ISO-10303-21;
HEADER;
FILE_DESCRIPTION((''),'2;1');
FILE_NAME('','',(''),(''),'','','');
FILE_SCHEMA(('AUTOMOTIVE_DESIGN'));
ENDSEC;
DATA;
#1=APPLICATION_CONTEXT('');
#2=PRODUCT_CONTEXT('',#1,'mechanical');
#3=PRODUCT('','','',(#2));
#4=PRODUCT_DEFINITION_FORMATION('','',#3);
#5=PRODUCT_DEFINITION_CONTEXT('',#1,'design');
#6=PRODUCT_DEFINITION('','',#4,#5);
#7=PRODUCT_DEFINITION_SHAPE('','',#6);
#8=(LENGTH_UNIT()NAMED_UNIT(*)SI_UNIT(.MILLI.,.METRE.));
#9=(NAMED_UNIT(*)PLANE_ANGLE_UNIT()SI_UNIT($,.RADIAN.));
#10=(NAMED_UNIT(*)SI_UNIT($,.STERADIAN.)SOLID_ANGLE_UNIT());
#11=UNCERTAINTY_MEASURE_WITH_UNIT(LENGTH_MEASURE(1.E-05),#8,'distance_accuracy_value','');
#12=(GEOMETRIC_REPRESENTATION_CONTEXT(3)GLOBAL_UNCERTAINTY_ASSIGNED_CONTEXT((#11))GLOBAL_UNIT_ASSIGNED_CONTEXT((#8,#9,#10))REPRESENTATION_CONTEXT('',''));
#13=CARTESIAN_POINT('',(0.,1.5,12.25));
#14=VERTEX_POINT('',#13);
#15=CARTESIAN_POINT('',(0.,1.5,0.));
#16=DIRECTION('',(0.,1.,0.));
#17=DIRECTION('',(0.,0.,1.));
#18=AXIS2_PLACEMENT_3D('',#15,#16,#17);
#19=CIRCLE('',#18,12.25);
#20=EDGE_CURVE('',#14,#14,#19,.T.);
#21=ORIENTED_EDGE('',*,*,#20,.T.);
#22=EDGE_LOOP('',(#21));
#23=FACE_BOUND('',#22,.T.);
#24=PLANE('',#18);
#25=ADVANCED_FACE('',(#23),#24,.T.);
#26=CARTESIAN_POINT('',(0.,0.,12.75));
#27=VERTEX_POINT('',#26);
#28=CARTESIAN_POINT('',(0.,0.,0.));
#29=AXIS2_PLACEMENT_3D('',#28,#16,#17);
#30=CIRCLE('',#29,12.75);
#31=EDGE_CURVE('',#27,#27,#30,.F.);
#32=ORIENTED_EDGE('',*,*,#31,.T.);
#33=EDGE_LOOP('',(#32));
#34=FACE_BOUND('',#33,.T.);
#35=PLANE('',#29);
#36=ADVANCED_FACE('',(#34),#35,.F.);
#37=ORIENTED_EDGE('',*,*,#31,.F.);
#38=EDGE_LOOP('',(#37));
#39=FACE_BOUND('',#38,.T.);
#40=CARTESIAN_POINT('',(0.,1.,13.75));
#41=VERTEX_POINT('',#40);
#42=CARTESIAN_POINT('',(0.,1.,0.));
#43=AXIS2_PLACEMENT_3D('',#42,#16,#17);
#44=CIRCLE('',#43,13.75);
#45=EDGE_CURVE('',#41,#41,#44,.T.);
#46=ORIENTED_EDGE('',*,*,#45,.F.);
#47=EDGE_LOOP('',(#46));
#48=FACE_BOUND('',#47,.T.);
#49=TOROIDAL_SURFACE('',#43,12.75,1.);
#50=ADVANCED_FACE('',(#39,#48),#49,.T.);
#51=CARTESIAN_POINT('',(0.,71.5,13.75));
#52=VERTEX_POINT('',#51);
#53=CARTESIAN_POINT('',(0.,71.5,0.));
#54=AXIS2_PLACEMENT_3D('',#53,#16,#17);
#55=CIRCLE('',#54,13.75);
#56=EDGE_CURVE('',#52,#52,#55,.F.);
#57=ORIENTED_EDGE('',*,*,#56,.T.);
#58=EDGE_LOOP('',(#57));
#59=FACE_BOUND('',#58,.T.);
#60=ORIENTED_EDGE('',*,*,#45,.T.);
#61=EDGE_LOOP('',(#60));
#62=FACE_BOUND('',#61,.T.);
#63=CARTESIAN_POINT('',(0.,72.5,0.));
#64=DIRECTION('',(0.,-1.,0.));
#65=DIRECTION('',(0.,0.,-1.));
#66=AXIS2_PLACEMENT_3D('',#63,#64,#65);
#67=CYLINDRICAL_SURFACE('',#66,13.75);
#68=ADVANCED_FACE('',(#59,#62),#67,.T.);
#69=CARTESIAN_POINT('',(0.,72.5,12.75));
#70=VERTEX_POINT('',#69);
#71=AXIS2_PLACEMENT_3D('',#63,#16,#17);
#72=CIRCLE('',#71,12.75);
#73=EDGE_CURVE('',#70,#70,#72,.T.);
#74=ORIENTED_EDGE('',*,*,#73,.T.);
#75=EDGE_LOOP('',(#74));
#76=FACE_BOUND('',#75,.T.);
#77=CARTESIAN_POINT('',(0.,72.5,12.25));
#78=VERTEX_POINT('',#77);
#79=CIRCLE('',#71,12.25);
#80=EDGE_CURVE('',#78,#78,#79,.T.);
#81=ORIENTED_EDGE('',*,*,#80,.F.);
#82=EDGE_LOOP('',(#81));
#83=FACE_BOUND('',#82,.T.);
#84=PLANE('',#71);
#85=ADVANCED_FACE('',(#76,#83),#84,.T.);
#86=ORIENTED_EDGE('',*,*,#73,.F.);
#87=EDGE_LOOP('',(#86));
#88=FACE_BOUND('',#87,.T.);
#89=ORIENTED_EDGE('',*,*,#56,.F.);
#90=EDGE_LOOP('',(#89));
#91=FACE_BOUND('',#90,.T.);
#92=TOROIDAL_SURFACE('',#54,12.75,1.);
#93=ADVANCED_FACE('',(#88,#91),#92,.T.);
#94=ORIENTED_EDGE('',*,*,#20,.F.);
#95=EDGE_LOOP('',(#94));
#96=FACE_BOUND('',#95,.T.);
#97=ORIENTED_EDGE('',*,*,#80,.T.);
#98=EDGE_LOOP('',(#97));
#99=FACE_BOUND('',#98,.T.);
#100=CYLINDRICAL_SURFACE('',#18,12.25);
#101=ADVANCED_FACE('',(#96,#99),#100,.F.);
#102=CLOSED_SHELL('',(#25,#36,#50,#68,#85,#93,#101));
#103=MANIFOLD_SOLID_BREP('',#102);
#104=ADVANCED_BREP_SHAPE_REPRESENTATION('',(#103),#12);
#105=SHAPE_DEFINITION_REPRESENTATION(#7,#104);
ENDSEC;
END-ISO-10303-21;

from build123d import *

# Parameters (mm, degrees)
SKETCH1_R           = 13.75
BOSS_EXTRUDE1_DEPTH = 72.5
SKETCH2_R           = 12.25
CUT_EXTRUDE1_DEPTH  = 71
FILLET1_R           = 1


with BuildPart() as part:
    # Sketch1 → Boss-Extrude1 (new body)
    with BuildSketch(Plane(origin=(0, 0, 0), x_dir=(1, 0, 0), z_dir=(0, 1, 0))):
        Circle(SKETCH1_R)
    extrude(amount=BOSS_EXTRUDE1_DEPTH)

    # Sketch2 → Cut-Extrude1 (cut)
    with BuildSketch(Plane(origin=(0, 72.5, 0), x_dir=(1, 0, 0), z_dir=(0, 1, 0))):
        Circle(SKETCH2_R)
    extrude(amount=-CUT_EXTRUDE1_DEPTH, mode=Mode.SUBTRACT)

    # Fillet1
    fillet1_edges = [part.edges().sort_by_distance(p)[0] for p in [
        (-13.75, 0, 0),
        (-13.75, 72.5, 0),
    ]]
    fillet(fillet1_edges, radius=FILLET1_R)


solid = part.part
